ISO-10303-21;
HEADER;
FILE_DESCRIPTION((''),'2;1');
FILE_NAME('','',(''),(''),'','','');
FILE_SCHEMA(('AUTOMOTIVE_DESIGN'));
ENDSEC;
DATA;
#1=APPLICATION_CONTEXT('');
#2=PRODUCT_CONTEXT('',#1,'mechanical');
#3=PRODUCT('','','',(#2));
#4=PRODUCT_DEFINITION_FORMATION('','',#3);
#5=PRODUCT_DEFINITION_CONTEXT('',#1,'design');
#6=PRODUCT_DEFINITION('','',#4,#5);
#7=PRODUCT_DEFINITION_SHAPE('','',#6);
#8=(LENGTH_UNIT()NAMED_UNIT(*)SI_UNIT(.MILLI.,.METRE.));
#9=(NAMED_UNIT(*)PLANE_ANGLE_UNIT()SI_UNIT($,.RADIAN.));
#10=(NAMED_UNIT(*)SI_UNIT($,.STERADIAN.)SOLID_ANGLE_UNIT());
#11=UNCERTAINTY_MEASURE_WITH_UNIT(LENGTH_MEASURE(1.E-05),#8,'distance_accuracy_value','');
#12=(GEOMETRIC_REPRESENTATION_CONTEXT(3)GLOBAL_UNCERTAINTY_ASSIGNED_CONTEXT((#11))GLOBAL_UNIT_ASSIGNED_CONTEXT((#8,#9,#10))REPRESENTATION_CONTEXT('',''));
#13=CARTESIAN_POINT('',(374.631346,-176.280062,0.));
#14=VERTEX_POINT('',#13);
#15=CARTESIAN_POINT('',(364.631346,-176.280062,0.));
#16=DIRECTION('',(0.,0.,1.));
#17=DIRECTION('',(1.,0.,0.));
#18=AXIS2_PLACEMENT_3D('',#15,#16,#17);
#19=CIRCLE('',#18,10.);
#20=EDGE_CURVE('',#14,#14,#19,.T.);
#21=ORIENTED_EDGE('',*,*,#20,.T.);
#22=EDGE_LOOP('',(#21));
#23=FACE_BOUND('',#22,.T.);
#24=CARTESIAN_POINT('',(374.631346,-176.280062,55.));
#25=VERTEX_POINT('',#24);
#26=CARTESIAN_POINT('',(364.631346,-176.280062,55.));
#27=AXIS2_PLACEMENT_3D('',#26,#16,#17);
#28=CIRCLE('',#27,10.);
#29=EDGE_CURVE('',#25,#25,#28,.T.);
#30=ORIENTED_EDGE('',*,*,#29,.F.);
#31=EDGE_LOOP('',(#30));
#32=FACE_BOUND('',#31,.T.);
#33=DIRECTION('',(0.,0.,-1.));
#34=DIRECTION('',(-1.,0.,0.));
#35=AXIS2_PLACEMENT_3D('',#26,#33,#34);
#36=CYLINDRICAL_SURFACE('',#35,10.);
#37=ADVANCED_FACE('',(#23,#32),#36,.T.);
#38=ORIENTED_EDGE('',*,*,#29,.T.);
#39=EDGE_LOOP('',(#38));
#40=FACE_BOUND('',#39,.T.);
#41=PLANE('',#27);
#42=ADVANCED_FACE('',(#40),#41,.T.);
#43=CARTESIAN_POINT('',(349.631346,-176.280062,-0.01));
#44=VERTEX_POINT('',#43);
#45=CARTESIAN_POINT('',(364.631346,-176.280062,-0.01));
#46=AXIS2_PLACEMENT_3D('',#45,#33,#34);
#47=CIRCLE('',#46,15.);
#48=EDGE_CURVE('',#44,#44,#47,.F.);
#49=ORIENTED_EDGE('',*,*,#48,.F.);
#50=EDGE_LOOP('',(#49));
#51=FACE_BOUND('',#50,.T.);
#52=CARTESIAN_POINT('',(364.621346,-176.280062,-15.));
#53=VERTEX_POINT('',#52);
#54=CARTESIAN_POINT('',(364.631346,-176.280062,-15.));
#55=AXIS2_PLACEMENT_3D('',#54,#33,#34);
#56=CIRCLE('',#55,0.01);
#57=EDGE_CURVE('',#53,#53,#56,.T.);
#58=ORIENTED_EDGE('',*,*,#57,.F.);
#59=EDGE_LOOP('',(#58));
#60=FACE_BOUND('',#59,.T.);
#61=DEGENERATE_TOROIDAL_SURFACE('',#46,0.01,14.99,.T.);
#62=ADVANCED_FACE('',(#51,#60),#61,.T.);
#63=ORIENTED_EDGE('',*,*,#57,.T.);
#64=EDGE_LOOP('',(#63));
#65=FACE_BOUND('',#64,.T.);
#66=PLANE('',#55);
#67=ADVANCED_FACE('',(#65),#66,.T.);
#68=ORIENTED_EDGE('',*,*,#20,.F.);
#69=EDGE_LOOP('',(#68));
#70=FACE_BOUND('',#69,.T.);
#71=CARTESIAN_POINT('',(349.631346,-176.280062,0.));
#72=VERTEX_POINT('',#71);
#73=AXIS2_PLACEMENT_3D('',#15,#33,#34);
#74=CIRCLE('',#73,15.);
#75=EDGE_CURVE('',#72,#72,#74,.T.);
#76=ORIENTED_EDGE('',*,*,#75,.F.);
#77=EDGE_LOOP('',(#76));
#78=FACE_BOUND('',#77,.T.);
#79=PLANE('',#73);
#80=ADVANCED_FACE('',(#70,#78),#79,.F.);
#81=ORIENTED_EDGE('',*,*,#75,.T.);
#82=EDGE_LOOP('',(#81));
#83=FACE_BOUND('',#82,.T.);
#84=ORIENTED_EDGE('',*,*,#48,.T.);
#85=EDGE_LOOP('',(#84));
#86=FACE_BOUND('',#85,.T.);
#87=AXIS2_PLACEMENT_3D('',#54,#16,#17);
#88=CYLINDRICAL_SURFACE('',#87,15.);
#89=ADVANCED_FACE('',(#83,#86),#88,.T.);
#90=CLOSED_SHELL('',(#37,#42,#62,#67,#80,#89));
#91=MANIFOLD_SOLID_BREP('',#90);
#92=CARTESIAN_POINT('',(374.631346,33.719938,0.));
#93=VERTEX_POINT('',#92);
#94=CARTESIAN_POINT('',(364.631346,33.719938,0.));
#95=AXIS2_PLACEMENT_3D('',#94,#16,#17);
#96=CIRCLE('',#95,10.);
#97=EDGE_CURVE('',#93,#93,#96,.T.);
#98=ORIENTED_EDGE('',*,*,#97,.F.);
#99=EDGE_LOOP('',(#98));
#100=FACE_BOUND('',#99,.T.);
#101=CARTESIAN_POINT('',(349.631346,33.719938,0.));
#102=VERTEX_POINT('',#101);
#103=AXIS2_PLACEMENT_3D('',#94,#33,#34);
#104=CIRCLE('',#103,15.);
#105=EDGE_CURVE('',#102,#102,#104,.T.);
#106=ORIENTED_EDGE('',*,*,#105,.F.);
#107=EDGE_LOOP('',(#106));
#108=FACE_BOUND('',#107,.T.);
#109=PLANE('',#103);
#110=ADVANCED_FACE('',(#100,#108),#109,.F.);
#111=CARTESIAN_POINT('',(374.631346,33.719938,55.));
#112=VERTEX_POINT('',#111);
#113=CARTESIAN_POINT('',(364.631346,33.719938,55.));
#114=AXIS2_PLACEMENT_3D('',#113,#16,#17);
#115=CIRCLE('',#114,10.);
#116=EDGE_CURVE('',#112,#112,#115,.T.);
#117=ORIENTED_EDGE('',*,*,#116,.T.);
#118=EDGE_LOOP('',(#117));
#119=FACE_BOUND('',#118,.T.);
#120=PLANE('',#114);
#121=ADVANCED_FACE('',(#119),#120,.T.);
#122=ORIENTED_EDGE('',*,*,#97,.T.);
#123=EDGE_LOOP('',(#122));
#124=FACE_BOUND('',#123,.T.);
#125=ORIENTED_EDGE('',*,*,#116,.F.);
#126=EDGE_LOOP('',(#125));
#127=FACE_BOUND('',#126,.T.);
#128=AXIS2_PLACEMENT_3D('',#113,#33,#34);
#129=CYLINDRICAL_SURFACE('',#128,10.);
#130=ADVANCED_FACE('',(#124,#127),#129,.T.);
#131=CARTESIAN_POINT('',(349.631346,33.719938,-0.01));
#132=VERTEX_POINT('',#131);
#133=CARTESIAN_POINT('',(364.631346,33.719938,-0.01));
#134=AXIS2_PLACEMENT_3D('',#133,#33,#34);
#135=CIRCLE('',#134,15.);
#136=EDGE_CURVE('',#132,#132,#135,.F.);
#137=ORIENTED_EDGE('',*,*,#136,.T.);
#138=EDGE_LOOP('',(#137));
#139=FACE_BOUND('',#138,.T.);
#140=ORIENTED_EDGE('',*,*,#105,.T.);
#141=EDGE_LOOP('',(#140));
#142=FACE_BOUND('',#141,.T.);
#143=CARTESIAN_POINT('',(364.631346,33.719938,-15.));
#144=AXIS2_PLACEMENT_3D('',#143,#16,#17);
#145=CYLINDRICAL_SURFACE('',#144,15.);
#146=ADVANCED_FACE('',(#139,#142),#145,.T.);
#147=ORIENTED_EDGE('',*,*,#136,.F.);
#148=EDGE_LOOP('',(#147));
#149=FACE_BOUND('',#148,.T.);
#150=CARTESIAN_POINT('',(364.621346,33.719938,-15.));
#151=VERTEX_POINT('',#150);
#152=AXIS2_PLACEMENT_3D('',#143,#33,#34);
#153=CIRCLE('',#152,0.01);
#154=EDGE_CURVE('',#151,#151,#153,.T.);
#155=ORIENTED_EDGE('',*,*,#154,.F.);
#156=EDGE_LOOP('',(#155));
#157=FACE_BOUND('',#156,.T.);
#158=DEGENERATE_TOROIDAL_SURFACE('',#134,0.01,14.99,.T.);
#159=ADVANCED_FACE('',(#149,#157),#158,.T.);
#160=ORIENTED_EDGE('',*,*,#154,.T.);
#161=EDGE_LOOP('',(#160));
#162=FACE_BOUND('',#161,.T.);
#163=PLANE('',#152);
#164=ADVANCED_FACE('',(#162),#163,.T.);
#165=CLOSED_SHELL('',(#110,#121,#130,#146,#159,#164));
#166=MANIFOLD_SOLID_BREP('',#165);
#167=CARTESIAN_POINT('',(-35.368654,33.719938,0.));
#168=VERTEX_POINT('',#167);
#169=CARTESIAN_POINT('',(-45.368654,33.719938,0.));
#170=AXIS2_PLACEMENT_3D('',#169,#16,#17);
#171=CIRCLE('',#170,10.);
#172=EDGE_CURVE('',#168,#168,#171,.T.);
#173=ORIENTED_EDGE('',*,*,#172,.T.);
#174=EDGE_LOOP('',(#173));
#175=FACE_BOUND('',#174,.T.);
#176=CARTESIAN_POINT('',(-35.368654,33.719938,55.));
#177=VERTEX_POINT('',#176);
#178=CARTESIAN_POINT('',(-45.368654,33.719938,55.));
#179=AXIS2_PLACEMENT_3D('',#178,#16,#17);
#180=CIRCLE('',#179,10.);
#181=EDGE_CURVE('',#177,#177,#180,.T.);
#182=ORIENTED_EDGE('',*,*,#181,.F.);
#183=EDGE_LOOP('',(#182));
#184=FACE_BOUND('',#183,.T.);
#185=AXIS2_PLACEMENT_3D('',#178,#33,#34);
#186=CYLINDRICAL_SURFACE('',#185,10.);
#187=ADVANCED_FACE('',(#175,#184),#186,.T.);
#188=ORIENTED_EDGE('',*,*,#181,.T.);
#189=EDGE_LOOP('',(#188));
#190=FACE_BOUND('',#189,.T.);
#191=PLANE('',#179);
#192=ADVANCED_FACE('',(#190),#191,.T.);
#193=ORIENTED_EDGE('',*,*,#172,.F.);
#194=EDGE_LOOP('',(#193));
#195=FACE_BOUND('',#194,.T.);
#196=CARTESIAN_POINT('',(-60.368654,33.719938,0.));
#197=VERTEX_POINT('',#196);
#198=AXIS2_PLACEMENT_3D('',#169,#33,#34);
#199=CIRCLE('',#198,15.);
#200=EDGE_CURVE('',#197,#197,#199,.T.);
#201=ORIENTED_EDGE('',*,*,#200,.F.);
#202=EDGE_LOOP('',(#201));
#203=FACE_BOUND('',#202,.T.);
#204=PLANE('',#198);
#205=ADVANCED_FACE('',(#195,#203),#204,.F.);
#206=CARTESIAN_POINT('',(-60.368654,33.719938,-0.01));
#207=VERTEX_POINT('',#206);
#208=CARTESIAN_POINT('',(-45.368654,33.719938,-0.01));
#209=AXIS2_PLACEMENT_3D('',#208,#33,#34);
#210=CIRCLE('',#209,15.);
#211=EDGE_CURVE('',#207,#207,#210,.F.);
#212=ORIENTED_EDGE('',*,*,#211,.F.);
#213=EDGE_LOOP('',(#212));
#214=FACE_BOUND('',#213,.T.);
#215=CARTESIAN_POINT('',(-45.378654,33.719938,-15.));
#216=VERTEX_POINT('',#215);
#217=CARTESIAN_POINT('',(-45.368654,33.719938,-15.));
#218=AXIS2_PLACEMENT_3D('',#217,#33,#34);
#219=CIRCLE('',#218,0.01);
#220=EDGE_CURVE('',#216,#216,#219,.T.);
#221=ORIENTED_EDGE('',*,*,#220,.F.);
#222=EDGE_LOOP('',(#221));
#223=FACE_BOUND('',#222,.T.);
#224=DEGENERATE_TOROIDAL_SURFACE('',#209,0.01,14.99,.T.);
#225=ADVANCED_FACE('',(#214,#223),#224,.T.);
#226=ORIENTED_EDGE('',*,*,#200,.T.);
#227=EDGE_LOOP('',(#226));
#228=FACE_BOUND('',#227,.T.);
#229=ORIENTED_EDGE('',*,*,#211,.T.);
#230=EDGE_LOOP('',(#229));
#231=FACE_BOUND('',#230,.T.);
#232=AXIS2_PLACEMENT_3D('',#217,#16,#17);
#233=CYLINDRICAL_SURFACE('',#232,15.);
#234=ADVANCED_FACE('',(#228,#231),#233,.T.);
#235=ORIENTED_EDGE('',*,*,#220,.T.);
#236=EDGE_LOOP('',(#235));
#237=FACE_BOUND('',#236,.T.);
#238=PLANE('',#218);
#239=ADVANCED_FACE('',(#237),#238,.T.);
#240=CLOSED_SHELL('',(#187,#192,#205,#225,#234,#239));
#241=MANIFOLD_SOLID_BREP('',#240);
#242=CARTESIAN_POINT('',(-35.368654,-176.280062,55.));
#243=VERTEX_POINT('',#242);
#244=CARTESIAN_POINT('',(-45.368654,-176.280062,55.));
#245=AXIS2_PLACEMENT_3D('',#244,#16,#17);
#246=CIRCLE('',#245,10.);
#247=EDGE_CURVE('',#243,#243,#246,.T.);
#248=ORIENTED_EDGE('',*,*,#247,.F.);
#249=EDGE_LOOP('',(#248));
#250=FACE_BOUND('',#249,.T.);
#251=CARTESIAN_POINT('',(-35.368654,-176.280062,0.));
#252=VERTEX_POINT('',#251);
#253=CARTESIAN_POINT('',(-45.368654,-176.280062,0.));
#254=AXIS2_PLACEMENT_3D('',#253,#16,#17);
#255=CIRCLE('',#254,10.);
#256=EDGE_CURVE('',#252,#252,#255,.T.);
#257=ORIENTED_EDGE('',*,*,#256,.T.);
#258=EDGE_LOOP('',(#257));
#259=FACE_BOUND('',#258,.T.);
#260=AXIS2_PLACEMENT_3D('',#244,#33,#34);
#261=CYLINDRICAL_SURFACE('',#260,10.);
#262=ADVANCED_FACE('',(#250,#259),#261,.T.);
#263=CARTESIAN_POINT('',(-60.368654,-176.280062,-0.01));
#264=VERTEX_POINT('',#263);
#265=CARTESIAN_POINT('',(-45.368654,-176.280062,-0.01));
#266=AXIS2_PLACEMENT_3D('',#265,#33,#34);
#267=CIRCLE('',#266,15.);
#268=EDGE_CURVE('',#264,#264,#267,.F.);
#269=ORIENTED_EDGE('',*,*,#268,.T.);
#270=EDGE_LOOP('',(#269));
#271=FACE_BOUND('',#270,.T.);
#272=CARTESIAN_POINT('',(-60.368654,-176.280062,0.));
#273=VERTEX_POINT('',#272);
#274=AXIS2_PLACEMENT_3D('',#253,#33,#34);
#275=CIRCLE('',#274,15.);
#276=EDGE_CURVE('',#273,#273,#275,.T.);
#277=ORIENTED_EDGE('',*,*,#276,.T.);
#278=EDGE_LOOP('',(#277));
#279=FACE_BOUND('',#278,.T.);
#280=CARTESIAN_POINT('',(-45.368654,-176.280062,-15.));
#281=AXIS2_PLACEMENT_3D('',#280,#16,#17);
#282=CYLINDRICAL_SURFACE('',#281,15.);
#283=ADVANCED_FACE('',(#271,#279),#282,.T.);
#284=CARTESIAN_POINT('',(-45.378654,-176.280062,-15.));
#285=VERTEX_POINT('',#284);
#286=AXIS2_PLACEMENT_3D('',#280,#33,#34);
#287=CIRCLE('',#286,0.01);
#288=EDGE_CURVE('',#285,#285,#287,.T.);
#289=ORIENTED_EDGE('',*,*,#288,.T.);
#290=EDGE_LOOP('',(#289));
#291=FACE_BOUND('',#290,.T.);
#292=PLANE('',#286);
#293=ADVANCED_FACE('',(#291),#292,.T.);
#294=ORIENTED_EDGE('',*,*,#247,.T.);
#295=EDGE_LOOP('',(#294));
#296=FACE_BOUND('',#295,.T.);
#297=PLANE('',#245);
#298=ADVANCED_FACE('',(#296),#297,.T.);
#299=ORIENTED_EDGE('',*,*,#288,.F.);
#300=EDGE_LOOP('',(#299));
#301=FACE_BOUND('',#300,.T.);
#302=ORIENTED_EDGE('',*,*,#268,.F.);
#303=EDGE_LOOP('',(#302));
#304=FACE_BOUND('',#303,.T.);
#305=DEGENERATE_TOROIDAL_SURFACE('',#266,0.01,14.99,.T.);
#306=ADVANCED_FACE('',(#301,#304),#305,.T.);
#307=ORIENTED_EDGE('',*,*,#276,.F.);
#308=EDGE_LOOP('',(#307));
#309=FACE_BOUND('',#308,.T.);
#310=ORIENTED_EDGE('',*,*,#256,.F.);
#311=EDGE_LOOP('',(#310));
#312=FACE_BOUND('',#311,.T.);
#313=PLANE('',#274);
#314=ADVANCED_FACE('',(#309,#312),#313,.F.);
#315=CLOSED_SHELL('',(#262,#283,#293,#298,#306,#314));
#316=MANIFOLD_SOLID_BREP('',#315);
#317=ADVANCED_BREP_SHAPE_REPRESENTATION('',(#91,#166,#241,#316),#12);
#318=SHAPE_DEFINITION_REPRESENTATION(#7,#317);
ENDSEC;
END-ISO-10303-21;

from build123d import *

# Parameters (mm, degrees)
SKETCH_1_R        = 10
EXTRUDE_3_DEPTH   = 55
EXTRUDE_3_2_DEPTH = 55
EXTRUDE_3_3_DEPTH = 55
EXTRUDE_3_4_DEPTH = 55
SKETCH_6_R        = 15
EXTRUDE_5_DEPTH   = 15
FILLET_16_R       = 14.99
FILLET_17_R       = 14.99
FILLET_18_R       = 14.99
FILLET_19_R       = 14.99


with BuildPart() as part:
    # 草图1 → 凸台-拉伸3 (new body)
    with BuildSketch(Plane.XY):
        with Locations((-45.368653632, 33.719938004)):
            Circle(SKETCH_1_R)
    extrude(amount=EXTRUDE_3_DEPTH)



with BuildPart() as body_2:
    # 草图1 → Extrude 3 2 (new body)
    with BuildSketch(Plane.XY):
        with Locations((364.631346368, 33.719938004)):
            Circle(SKETCH_1_R)
    extrude(amount=EXTRUDE_3_2_DEPTH)


with BuildPart() as body_3:
    # 草图1 → Extrude 3 3 (new body)
    with BuildSketch(Plane.XY):
        with Locations((-45.368653632, -176.280061996)):
            Circle(SKETCH_1_R)
    extrude(amount=EXTRUDE_3_3_DEPTH)


with BuildPart() as body_4:
    # 草图1 → Extrude 3 4 (new body)
    with BuildSketch(Plane.XY):
        with Locations((364.631346368, -176.280061996)):
            Circle(SKETCH_1_R)
    extrude(amount=EXTRUDE_3_4_DEPTH)


with BuildPart() as part_1:
    add(part.part)

    add(body_2.part)  # 凸台-拉伸5 merges body 2

    add(body_3.part)  # 凸台-拉伸5 merges body 3

    add(body_4.part)  # 凸台-拉伸5 merges body 4
    # 草图6 → 凸台-拉伸5 (add)
    with BuildSketch(Plane(origin=(0, 0, 0), x_dir=(-1, 0, 0), z_dir=(0, 0, -1))):
        with Locations((-364.631346368, 33.719938004)):
            Circle(SKETCH_6_R)
        with Locations((45.368653632, -176.280061996)):
            Circle(SKETCH_6_R)
        with Locations((45.368653632, 33.719938004)):
            Circle(SKETCH_6_R)
        with Locations((-364.631346368, -176.280061996)):
            Circle(SKETCH_6_R)
    extrude(amount=EXTRUDE_5_DEPTH)

    # 圆角16
    fillet_16_edges = [part_1.edges().sort_by_distance(p)[0] for p in [
        (379.631346368, -176.280061996, -15),
    ]]
    fillet(fillet_16_edges, radius=FILLET_16_R)

    # 圆角17
    fillet_17_edges = [part_1.edges().sort_by_distance(p)[0] for p in [
        (-30.368653632, -176.280061996, -15),
    ]]
    fillet(fillet_17_edges, radius=FILLET_17_R)

    # 圆角18
    fillet_18_edges = [part_1.edges().sort_by_distance(p)[0] for p in [
        (-30.368653632, 33.719938004, -15),
    ]]
    fillet(fillet_18_edges, radius=FILLET_18_R)

    # 圆角19
    fillet_19_edges = [part_1.edges().sort_by_distance(p)[0] for p in [
        (379.631346368, 33.719938004, -15),
    ]]
    fillet(fillet_19_edges, radius=FILLET_19_R)


solid = part_1.part
